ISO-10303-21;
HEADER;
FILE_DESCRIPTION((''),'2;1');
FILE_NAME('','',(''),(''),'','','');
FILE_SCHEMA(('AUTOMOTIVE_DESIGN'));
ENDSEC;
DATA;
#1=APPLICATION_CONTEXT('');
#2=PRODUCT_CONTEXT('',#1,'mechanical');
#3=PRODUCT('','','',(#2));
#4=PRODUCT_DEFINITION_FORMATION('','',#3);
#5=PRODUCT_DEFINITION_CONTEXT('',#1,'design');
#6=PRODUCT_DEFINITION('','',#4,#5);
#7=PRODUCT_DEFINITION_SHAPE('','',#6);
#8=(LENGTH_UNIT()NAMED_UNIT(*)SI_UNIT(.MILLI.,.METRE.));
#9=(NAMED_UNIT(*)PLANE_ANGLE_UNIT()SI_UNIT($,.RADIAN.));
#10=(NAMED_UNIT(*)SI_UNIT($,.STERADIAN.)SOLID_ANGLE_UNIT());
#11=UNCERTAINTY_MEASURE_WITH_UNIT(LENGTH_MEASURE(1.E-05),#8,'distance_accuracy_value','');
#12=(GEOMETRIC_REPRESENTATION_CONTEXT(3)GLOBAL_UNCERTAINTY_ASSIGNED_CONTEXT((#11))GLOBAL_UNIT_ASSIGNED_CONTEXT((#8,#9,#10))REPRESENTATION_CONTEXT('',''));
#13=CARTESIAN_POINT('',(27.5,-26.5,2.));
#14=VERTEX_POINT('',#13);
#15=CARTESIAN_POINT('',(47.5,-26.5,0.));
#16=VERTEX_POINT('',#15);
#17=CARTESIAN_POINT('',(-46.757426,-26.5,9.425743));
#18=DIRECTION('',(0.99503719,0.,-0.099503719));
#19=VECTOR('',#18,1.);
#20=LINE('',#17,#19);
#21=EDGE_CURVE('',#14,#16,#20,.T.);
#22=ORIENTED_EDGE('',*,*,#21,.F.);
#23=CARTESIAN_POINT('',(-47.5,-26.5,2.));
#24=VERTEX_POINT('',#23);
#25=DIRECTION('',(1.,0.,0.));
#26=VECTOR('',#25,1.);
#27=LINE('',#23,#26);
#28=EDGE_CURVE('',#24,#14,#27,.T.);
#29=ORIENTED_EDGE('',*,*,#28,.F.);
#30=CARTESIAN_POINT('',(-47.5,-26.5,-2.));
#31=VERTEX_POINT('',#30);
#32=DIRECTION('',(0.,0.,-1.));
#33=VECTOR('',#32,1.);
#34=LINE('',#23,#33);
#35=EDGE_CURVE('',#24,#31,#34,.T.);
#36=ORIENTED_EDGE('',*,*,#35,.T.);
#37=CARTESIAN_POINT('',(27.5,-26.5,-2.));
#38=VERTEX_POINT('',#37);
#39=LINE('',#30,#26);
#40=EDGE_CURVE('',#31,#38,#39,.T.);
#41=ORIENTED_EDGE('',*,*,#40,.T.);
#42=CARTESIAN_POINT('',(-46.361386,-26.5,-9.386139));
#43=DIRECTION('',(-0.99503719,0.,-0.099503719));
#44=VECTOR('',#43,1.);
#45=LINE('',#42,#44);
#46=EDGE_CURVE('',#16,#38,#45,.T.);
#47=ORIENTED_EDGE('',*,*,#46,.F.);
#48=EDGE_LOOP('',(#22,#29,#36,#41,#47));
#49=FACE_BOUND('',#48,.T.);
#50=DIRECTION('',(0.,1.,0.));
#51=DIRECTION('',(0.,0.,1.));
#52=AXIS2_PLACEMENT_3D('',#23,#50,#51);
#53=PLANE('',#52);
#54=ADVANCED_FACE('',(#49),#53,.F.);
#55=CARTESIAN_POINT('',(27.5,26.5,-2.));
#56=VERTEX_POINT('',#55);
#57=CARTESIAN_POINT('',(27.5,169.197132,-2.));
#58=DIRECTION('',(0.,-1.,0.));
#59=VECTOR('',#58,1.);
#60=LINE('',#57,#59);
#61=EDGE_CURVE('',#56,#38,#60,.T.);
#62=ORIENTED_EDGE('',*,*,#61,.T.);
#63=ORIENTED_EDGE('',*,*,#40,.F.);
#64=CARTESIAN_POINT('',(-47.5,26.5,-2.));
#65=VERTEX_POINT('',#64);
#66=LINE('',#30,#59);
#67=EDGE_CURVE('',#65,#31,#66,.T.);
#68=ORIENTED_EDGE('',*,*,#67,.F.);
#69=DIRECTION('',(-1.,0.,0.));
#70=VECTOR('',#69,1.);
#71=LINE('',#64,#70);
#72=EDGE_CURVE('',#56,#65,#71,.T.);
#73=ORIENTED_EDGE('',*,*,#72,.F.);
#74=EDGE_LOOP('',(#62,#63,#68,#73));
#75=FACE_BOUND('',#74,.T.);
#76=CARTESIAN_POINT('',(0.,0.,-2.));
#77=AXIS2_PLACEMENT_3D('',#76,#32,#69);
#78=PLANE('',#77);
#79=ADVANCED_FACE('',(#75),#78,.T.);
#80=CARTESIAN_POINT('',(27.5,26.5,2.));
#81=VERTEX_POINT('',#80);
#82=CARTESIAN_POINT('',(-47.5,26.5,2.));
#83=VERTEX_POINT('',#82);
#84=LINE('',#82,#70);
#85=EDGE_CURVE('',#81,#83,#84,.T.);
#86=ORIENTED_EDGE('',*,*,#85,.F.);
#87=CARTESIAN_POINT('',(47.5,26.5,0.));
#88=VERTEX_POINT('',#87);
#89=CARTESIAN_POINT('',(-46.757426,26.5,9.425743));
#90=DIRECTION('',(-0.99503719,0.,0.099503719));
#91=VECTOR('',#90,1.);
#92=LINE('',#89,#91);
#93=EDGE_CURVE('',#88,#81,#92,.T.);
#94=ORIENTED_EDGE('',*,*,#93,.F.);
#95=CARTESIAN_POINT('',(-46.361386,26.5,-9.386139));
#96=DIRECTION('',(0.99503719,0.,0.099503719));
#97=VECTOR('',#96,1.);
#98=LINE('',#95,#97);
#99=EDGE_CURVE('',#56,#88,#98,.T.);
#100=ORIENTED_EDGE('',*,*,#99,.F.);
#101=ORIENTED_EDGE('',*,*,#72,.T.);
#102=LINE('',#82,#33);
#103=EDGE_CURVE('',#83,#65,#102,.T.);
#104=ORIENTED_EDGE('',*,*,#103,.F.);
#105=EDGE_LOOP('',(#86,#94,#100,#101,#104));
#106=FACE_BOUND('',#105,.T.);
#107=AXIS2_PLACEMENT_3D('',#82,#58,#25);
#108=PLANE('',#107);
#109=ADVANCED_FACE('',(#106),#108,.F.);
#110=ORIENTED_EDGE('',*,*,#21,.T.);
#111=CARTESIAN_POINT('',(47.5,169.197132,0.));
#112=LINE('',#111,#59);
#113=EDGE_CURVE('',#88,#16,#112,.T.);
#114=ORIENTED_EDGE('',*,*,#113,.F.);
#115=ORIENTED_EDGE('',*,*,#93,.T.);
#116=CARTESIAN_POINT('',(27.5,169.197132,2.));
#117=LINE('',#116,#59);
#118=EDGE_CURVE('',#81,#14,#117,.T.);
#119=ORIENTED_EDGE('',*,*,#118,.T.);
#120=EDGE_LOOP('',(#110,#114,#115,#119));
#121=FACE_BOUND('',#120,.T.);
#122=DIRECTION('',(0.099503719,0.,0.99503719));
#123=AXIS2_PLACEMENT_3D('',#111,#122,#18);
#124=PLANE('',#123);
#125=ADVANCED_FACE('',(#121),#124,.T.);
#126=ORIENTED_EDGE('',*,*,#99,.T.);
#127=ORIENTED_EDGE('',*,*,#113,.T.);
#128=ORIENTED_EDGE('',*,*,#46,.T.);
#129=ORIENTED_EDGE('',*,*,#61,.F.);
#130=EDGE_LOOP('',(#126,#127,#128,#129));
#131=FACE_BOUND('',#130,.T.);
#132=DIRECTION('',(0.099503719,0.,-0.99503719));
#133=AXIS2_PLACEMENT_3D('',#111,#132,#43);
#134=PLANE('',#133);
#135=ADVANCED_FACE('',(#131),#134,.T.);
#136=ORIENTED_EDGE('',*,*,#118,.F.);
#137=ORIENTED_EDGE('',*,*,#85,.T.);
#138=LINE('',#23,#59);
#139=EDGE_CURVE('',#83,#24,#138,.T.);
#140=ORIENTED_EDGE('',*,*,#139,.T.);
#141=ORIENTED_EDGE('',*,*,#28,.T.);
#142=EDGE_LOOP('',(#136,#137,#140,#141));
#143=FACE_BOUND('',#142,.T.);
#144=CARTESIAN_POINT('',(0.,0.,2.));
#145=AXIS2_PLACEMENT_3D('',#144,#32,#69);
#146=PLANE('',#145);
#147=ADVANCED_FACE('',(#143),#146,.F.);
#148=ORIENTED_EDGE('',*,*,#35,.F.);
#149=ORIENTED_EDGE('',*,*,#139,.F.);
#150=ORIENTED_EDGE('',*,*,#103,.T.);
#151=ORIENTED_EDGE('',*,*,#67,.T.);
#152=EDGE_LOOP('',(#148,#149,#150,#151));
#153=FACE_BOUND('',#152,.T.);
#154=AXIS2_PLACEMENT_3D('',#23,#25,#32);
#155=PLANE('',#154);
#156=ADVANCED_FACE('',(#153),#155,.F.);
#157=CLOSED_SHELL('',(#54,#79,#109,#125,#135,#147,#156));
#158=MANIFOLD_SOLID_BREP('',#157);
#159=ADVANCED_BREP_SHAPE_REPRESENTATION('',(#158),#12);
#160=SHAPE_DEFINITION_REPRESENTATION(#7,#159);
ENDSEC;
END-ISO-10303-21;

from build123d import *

# Parameters (mm, degrees)
SKETCH_1_W               = 95
SKETCH_1_H               = 53
EXTRUDE_1_DEPTH          = 2
CUT_EXTRUDE_1_DEPTH      = 55.428852643
CUT_EXTRUDE_1_DEPTH_BACK = 55.428852643


with BuildPart() as part:
    # 草图1 → 凸台-拉伸1 (new, symmetric)
    with BuildSketch(Plane.XY):
        Rectangle(SKETCH_1_W, SKETCH_1_H)
    extrude(amount=EXTRUDE_1_DEPTH, both=True)

    # 草图2 → 切除-拉伸1 (cut, two sides: drawn at the far end of the back side and taken through both)
    with BuildSketch(Plane(origin=(0, 0, 0), x_dir=(1, 0, 0), z_dir=(0, 1, 0)).offset(-CUT_EXTRUDE_1_DEPTH_BACK)):
        Polygon((-131.918074298, -17.94180743), (27.5, -2), (47.5, 0), (27.5, 2), (-131.918074298, 17.94180743), (188.508289392, 17.94180743), (188.508289392, -17.94180743), align=None)
    extrude(amount=CUT_EXTRUDE_1_DEPTH + CUT_EXTRUDE_1_DEPTH_BACK, mode=Mode.SUBTRACT)


solid = part.part
